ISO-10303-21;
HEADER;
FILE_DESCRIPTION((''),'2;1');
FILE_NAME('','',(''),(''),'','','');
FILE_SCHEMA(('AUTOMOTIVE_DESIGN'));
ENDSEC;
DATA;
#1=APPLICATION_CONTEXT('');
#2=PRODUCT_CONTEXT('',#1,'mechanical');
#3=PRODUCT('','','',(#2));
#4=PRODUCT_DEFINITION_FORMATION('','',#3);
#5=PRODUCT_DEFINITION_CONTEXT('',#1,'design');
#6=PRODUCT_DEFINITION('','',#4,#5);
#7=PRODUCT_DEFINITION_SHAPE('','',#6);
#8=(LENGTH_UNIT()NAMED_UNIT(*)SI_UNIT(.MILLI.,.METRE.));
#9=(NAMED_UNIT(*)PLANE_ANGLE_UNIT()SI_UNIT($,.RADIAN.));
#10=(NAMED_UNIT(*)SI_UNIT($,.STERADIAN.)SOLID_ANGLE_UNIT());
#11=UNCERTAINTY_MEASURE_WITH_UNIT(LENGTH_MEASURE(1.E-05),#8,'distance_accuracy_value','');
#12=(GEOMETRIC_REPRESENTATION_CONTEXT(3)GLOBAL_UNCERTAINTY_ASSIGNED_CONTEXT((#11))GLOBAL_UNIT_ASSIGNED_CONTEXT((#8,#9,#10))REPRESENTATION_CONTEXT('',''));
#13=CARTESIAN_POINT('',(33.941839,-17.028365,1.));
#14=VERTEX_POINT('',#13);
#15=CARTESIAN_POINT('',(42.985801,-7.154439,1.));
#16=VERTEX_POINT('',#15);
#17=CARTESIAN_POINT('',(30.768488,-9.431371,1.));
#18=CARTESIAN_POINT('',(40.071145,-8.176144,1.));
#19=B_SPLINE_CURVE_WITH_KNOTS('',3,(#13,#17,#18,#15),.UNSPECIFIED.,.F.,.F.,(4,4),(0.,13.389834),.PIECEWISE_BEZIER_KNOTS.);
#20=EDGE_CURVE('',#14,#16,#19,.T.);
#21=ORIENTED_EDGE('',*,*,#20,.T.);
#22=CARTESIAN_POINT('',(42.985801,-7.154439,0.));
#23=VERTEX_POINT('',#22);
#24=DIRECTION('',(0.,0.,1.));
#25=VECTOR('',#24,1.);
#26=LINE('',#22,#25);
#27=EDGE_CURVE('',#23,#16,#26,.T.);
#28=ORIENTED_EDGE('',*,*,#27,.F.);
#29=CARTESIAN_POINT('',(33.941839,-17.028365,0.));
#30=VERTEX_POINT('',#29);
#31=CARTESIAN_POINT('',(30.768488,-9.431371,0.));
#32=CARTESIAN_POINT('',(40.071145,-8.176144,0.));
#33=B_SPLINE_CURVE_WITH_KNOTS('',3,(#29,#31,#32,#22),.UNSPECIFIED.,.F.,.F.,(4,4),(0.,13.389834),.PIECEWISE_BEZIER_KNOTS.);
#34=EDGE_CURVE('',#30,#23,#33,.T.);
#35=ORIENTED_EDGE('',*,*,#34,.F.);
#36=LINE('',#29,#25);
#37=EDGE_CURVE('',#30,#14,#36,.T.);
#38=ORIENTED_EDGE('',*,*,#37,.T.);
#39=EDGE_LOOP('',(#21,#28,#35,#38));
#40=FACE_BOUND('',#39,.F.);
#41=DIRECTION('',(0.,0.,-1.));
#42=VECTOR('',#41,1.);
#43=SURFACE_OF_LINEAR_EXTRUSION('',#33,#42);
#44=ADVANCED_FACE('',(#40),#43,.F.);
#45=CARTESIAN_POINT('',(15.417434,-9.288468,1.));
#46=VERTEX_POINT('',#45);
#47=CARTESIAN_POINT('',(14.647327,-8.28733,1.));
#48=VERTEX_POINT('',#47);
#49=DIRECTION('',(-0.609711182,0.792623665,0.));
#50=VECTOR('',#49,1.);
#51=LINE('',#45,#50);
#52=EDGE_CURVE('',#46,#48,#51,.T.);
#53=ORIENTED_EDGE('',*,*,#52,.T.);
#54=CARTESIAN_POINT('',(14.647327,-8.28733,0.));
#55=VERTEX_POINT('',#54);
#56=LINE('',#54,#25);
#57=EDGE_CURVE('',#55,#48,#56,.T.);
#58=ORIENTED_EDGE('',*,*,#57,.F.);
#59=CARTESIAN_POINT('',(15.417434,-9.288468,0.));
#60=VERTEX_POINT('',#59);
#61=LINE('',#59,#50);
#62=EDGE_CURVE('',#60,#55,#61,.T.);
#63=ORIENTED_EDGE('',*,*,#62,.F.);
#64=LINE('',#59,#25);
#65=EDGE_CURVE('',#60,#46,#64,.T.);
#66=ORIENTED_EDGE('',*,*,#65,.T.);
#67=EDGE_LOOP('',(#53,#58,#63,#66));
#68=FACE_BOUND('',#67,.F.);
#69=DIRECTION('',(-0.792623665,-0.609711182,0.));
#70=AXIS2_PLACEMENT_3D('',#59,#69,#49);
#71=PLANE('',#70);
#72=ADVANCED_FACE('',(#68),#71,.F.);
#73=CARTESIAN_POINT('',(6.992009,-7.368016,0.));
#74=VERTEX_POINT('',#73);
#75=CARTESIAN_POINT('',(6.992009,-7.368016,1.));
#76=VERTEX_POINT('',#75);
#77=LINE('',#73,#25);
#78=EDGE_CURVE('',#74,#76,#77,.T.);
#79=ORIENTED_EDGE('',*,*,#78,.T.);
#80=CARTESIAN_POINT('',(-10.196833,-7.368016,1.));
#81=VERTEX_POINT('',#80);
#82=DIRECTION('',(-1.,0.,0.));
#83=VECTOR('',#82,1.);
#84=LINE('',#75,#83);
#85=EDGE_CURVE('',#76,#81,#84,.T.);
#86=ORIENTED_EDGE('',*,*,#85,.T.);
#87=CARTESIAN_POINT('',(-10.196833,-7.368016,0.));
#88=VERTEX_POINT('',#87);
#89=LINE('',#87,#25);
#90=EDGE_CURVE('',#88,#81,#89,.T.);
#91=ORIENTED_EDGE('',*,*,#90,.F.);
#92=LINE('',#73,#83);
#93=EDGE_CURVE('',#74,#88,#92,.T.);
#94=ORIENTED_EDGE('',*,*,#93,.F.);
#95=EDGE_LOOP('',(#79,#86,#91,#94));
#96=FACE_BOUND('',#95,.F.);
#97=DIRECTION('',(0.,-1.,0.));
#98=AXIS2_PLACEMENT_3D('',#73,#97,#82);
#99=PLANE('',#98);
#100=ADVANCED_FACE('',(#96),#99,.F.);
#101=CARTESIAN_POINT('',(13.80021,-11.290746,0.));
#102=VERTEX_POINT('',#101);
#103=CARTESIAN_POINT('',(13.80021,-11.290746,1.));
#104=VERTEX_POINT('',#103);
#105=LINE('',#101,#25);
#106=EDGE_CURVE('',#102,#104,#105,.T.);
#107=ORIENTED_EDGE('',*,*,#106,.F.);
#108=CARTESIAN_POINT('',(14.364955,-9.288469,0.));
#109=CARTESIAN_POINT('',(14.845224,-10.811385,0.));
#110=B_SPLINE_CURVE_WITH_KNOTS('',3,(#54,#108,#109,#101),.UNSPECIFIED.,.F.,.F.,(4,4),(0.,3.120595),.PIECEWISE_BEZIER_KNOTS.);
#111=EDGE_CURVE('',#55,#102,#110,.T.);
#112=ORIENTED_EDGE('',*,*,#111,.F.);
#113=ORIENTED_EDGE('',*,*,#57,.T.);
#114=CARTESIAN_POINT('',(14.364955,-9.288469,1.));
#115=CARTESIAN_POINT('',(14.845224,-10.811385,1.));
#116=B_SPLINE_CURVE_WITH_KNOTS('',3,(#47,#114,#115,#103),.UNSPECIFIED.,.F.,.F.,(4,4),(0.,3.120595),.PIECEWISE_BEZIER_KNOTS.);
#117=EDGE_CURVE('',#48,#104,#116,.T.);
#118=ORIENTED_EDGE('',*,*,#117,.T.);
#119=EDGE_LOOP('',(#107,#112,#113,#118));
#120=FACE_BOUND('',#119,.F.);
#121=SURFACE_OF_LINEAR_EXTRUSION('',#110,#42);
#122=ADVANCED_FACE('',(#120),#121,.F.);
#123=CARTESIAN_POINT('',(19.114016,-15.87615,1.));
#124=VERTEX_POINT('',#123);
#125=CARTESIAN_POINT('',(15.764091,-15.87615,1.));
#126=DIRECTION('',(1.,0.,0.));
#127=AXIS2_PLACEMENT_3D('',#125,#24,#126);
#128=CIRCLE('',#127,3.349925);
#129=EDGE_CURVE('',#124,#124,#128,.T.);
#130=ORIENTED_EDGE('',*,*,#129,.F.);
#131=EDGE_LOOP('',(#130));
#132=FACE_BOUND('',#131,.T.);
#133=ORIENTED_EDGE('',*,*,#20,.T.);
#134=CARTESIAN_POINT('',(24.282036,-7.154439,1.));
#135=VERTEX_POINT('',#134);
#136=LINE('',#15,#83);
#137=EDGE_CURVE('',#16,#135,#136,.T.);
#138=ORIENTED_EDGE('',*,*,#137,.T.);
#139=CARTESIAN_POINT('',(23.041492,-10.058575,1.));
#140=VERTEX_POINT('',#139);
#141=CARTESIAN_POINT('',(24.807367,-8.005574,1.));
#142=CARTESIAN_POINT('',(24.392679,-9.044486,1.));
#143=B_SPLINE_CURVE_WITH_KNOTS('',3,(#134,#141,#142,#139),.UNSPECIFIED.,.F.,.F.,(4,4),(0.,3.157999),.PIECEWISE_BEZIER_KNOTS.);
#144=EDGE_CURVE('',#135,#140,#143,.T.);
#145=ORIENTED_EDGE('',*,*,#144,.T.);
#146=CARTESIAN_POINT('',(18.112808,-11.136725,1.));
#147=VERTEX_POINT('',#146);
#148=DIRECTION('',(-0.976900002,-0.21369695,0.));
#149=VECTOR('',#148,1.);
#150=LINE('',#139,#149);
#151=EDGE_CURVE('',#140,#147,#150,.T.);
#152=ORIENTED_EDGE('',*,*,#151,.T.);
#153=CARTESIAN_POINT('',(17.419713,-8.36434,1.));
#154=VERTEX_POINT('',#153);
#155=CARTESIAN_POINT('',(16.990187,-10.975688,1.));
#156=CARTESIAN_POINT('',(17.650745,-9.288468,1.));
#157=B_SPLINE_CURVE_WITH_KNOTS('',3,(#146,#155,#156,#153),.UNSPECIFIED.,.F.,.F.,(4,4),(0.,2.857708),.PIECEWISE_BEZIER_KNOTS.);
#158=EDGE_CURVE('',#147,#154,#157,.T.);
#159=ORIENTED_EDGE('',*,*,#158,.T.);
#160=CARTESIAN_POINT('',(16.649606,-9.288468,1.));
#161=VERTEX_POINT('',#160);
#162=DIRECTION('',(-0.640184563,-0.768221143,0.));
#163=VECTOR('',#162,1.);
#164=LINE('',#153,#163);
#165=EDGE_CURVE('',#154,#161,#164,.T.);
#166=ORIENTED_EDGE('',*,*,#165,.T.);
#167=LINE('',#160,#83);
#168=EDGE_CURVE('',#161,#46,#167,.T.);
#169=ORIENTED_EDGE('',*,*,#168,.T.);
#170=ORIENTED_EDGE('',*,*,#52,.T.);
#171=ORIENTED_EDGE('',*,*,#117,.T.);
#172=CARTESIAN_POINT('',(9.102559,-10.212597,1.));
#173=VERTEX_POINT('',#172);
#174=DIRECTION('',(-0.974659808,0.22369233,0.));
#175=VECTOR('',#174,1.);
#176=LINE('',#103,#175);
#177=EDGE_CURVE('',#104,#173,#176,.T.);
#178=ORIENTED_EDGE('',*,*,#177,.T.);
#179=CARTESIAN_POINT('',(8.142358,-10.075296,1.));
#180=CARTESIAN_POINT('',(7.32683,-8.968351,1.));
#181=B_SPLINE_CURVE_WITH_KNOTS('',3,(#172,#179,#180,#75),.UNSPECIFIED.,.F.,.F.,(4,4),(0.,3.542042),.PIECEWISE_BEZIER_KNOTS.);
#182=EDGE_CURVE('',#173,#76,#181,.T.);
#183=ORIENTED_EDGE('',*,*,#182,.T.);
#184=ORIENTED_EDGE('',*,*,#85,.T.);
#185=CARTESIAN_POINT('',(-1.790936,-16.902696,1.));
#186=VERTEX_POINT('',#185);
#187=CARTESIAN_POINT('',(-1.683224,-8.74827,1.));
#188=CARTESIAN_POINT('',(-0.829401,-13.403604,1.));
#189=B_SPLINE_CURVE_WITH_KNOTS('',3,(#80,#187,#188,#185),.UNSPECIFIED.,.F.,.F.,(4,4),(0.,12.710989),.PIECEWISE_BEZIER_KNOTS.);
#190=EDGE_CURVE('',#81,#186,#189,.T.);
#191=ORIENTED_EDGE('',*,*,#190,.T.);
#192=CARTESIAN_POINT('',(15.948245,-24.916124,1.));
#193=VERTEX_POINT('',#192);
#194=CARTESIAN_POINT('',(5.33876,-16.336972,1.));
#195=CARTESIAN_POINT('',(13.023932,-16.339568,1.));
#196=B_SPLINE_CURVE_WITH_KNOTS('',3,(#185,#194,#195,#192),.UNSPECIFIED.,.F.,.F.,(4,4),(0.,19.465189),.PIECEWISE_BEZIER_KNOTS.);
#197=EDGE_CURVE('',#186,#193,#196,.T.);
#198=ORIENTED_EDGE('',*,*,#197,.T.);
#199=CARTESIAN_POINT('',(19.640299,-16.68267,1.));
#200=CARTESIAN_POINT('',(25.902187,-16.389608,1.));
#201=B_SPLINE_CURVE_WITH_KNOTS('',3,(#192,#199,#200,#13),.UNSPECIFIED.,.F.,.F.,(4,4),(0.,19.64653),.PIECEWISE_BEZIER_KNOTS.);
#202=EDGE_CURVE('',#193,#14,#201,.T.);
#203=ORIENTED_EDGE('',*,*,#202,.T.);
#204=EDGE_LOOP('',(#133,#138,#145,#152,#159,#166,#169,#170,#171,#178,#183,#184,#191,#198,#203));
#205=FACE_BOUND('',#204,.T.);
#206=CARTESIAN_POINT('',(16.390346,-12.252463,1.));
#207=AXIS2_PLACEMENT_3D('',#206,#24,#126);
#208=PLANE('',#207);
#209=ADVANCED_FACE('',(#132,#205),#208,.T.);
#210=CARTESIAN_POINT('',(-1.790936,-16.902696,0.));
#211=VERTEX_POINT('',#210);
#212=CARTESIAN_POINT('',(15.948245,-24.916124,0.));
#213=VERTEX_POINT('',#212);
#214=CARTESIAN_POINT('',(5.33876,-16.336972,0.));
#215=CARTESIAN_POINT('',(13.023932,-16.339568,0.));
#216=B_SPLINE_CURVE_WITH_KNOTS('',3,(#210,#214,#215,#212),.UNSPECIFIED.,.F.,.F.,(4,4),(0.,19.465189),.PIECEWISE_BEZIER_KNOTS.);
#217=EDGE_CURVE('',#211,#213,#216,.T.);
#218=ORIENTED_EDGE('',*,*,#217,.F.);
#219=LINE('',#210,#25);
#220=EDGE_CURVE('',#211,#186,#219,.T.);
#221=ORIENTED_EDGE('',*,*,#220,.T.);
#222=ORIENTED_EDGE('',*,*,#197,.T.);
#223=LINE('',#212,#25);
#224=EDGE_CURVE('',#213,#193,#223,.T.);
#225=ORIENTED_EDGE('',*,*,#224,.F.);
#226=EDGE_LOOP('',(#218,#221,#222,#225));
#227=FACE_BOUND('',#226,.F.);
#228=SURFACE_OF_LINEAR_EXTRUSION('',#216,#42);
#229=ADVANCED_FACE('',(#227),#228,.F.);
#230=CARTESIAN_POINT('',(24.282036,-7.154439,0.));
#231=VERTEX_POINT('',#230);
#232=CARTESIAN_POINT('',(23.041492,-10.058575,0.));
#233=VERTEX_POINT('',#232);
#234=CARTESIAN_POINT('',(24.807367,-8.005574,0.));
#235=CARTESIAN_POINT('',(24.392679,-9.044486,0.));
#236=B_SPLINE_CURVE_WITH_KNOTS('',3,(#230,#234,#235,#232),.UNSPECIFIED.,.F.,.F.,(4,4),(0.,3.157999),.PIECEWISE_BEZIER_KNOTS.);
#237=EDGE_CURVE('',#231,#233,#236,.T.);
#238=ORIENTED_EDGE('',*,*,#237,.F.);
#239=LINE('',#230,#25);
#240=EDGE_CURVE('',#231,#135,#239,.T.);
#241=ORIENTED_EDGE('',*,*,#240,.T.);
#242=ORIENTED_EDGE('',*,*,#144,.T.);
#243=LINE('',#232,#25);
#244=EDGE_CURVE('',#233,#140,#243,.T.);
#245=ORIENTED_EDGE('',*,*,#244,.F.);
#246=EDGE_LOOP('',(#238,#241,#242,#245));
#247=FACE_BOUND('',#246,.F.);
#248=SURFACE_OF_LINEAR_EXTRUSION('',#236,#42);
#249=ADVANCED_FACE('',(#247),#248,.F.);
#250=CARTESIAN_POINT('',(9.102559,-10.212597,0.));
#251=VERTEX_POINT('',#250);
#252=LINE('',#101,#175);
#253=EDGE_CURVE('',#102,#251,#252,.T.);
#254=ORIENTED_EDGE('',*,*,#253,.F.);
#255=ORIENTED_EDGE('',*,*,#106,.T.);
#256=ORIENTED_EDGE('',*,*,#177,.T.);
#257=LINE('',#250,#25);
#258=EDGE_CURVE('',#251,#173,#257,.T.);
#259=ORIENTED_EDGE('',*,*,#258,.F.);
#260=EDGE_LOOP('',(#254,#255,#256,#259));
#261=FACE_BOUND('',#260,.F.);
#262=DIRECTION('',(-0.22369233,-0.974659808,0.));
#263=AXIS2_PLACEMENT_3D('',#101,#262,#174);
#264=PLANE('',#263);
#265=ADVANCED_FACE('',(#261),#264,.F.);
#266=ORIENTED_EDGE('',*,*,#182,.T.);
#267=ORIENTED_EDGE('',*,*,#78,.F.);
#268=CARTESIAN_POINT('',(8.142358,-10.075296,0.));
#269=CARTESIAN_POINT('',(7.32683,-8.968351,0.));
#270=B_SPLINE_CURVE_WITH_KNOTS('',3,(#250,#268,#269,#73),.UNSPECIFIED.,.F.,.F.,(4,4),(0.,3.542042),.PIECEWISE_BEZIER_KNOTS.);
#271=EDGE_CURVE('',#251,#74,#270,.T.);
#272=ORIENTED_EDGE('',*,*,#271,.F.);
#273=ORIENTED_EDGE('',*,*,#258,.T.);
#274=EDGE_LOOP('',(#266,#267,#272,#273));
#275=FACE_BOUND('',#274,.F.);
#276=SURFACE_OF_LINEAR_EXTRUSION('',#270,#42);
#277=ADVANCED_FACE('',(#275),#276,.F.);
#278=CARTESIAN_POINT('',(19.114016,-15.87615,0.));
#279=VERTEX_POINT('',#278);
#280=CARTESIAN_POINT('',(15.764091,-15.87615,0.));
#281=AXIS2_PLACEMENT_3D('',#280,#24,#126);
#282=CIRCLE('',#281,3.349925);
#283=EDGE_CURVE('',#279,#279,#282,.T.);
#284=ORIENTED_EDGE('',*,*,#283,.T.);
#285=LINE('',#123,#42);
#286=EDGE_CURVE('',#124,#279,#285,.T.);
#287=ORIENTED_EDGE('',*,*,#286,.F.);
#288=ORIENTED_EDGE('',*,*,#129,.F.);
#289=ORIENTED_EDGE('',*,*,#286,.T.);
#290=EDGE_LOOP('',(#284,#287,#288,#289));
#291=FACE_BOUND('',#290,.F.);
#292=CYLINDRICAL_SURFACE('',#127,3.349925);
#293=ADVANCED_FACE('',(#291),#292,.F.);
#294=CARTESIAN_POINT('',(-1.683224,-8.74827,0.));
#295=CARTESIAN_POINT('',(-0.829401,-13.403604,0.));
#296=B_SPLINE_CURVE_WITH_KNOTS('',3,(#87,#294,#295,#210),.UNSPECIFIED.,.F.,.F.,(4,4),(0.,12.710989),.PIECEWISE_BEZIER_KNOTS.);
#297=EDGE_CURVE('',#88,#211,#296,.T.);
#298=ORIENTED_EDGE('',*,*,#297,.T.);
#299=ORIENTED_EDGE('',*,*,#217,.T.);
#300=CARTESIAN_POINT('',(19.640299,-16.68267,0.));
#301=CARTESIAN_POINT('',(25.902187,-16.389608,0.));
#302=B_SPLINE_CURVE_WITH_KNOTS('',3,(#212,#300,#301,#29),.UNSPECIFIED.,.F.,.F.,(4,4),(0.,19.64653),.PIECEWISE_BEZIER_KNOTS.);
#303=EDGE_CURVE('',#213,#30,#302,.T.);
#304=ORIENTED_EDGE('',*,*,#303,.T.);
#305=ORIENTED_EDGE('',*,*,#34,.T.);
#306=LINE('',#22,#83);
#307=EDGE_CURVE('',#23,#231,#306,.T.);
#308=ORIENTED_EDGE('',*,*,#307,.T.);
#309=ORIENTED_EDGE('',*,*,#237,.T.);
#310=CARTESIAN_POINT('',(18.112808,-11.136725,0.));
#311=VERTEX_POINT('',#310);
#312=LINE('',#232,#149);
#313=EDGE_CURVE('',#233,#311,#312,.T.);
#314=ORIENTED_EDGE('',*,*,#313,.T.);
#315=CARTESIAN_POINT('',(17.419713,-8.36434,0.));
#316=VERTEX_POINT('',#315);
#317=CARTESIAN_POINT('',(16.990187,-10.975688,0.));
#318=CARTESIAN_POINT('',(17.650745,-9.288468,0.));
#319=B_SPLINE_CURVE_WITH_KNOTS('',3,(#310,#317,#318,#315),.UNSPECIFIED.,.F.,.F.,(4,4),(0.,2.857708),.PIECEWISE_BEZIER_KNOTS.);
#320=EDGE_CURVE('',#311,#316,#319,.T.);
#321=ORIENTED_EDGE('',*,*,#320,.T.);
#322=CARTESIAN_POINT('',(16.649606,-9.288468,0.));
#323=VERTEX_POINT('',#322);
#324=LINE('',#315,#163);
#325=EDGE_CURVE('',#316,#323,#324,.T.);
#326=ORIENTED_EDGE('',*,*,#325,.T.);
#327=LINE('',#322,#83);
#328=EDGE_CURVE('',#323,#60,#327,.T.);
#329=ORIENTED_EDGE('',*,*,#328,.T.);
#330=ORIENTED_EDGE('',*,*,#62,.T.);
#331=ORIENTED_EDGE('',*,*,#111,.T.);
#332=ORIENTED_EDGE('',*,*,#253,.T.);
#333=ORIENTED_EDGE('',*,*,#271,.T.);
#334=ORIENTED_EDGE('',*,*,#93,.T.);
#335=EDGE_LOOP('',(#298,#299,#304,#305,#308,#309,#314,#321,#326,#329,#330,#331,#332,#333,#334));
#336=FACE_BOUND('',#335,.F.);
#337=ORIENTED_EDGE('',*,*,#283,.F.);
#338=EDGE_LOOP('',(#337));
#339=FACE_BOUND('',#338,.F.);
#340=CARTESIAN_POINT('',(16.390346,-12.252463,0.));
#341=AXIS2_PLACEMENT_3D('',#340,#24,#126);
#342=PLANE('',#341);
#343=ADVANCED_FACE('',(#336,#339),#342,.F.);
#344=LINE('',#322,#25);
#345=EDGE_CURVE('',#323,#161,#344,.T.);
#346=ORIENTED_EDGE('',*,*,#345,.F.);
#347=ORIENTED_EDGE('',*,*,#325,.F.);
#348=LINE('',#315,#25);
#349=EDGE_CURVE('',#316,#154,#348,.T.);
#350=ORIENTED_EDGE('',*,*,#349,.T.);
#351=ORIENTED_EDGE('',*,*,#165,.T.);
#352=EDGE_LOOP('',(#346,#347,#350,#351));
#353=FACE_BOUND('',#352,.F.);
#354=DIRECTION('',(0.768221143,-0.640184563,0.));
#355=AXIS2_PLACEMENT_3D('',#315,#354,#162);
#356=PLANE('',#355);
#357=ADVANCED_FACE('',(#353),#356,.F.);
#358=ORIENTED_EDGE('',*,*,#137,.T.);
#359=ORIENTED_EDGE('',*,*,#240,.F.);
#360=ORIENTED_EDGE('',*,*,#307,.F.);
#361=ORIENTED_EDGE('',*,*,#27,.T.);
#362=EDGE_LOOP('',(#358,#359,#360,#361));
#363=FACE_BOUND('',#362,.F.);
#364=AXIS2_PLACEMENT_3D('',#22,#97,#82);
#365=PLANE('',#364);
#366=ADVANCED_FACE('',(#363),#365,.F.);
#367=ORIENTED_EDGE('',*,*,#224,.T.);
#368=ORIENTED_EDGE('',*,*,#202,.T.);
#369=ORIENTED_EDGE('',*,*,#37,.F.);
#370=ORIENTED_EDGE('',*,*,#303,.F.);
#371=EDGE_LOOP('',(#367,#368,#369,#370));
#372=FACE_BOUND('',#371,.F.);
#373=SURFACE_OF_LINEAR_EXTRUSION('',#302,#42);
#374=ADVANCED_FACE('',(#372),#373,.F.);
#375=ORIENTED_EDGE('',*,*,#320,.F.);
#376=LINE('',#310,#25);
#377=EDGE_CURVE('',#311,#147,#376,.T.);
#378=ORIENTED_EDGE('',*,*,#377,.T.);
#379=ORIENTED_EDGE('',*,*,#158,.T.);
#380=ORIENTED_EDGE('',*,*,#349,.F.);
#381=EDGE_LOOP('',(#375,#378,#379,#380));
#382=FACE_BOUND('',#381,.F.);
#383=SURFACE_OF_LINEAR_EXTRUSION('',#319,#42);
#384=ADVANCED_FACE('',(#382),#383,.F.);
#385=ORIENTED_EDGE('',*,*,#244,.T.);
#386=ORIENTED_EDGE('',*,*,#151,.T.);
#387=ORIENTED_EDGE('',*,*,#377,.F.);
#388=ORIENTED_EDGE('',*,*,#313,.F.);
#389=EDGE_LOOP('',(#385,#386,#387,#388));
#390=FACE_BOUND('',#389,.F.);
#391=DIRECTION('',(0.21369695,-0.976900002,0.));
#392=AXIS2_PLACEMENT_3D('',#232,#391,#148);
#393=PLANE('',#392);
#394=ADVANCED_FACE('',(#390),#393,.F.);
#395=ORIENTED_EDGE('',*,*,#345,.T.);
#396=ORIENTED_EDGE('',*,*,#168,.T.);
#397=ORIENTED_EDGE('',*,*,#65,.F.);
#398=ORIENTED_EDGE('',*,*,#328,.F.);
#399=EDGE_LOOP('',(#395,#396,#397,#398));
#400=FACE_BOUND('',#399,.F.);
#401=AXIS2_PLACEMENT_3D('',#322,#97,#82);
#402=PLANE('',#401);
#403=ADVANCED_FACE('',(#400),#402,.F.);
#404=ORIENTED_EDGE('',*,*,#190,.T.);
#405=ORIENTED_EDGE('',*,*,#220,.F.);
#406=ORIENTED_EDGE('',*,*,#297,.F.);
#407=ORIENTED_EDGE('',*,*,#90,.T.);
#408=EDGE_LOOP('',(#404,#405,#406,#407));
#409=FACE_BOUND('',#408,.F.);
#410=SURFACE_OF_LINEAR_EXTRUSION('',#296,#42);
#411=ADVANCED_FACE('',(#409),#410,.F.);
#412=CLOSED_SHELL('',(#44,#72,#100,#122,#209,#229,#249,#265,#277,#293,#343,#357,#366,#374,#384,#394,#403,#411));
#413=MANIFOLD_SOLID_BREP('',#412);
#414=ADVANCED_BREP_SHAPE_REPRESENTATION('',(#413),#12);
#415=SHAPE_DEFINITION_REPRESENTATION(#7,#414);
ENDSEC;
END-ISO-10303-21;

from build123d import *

# Parameters (mm, degrees)
F2_DEPTH = 1
F3_T     = -1
F4_R     = 3.349925
F5_DEPTH = 25.4


with BuildPart() as f2:
    # F1 (on Top) → F2 (new body)
    with BuildSketch(Plane.XY):
        with BuildLine():
            Line((13.80021, -11.290746), (9.102559, -10.212597))
            add(Edge.make_bspline(
                [(9.102559, -10.212597), (8.142358, -10.075296), (7.32683, -8.968351), (6.992009, -7.368016)],
                knots=[0, 0, 0, 0, 3.542042, 3.542042, 3.542042, 3.542042], degree=3))
            Line((6.992009, -7.368016), (-10.196833, -7.368016))
            add(Edge.make_bspline(
                [(-10.196833, -7.368016), (-1.683224, -8.74827), (-0.829401, -13.403604), (-1.790936, -16.902696)],
                knots=[0, 0, 0, 0, 12.710989, 12.710989, 12.710989, 12.710989], degree=3))
            add(Edge.make_bspline(
                [(-1.790936, -16.902696), (5.33876, -16.336972), (13.023932, -16.339568), (15.948245, -24.916124)],
                knots=[0, 0, 0, 0, 19.465189, 19.465189, 19.465189, 19.465189], degree=3))
            add(Edge.make_bspline(
                [(15.948245, -24.916124), (19.640299, -16.68267), (25.902187, -16.389608), (33.941839, -17.028365)],
                knots=[0, 0, 0, 0, 19.64653, 19.64653, 19.64653, 19.64653], degree=3))
            add(Edge.make_bspline(
                [(33.941839, -17.028365), (30.768488, -9.431371), (40.071145, -8.176144), (42.985801, -7.154439)],
                knots=[0, 0, 0, 0, 13.389834, 13.389834, 13.389834, 13.389834], degree=3))
            Line((42.985801, -7.154439), (24.282036, -7.154439))
            add(Edge.make_bspline(
                [(24.282036, -7.154439), (24.807367, -8.005574), (24.392679, -9.044486), (23.041492, -10.058575)],
                knots=[0, 0, 0, 0, 3.157999, 3.157999, 3.157999, 3.157999], degree=3))
            Line((23.041492, -10.058575), (18.112808, -11.136725))
            add(Edge.make_bspline(
                [(18.112808, -11.136725), (16.990187, -10.975688), (17.650745, -9.288468), (17.419713, -8.36434)],
                knots=[0, 0, 0, 0, 2.857708, 2.857708, 2.857708, 2.857708], degree=3))
            Line((17.419713, -8.36434), (16.649606, -9.288468))
            Line((16.649606, -9.288468), (15.417434, -9.288468))
            Line((15.417434, -9.288468), (14.647327, -8.28733))
            add(Edge.make_bspline(
                [(14.647327, -8.28733), (14.364955, -9.288469), (14.845224, -10.811385), (13.80021, -11.290746)],
                knots=[0, 0, 0, 0, 3.120595, 3.120595, 3.120595, 3.120595], degree=3))
        make_face()
    extrude(amount=F2_DEPTH)

    # F3
    f3_openings = [f2.faces().sort_by_distance(p)[0] for p in [
        (16.284264, -13.143968, 1),
    ]]
    offset(amount=F3_T, openings=f3_openings)

    # F4 (on face) → F5 (cut)
    with BuildSketch(Plane.XY.offset(1)):
        with Locations((15.764091, -15.87615)):
            Circle(F4_R)
    extrude(amount=-F5_DEPTH, mode=Mode.SUBTRACT)


solid = f2.part
